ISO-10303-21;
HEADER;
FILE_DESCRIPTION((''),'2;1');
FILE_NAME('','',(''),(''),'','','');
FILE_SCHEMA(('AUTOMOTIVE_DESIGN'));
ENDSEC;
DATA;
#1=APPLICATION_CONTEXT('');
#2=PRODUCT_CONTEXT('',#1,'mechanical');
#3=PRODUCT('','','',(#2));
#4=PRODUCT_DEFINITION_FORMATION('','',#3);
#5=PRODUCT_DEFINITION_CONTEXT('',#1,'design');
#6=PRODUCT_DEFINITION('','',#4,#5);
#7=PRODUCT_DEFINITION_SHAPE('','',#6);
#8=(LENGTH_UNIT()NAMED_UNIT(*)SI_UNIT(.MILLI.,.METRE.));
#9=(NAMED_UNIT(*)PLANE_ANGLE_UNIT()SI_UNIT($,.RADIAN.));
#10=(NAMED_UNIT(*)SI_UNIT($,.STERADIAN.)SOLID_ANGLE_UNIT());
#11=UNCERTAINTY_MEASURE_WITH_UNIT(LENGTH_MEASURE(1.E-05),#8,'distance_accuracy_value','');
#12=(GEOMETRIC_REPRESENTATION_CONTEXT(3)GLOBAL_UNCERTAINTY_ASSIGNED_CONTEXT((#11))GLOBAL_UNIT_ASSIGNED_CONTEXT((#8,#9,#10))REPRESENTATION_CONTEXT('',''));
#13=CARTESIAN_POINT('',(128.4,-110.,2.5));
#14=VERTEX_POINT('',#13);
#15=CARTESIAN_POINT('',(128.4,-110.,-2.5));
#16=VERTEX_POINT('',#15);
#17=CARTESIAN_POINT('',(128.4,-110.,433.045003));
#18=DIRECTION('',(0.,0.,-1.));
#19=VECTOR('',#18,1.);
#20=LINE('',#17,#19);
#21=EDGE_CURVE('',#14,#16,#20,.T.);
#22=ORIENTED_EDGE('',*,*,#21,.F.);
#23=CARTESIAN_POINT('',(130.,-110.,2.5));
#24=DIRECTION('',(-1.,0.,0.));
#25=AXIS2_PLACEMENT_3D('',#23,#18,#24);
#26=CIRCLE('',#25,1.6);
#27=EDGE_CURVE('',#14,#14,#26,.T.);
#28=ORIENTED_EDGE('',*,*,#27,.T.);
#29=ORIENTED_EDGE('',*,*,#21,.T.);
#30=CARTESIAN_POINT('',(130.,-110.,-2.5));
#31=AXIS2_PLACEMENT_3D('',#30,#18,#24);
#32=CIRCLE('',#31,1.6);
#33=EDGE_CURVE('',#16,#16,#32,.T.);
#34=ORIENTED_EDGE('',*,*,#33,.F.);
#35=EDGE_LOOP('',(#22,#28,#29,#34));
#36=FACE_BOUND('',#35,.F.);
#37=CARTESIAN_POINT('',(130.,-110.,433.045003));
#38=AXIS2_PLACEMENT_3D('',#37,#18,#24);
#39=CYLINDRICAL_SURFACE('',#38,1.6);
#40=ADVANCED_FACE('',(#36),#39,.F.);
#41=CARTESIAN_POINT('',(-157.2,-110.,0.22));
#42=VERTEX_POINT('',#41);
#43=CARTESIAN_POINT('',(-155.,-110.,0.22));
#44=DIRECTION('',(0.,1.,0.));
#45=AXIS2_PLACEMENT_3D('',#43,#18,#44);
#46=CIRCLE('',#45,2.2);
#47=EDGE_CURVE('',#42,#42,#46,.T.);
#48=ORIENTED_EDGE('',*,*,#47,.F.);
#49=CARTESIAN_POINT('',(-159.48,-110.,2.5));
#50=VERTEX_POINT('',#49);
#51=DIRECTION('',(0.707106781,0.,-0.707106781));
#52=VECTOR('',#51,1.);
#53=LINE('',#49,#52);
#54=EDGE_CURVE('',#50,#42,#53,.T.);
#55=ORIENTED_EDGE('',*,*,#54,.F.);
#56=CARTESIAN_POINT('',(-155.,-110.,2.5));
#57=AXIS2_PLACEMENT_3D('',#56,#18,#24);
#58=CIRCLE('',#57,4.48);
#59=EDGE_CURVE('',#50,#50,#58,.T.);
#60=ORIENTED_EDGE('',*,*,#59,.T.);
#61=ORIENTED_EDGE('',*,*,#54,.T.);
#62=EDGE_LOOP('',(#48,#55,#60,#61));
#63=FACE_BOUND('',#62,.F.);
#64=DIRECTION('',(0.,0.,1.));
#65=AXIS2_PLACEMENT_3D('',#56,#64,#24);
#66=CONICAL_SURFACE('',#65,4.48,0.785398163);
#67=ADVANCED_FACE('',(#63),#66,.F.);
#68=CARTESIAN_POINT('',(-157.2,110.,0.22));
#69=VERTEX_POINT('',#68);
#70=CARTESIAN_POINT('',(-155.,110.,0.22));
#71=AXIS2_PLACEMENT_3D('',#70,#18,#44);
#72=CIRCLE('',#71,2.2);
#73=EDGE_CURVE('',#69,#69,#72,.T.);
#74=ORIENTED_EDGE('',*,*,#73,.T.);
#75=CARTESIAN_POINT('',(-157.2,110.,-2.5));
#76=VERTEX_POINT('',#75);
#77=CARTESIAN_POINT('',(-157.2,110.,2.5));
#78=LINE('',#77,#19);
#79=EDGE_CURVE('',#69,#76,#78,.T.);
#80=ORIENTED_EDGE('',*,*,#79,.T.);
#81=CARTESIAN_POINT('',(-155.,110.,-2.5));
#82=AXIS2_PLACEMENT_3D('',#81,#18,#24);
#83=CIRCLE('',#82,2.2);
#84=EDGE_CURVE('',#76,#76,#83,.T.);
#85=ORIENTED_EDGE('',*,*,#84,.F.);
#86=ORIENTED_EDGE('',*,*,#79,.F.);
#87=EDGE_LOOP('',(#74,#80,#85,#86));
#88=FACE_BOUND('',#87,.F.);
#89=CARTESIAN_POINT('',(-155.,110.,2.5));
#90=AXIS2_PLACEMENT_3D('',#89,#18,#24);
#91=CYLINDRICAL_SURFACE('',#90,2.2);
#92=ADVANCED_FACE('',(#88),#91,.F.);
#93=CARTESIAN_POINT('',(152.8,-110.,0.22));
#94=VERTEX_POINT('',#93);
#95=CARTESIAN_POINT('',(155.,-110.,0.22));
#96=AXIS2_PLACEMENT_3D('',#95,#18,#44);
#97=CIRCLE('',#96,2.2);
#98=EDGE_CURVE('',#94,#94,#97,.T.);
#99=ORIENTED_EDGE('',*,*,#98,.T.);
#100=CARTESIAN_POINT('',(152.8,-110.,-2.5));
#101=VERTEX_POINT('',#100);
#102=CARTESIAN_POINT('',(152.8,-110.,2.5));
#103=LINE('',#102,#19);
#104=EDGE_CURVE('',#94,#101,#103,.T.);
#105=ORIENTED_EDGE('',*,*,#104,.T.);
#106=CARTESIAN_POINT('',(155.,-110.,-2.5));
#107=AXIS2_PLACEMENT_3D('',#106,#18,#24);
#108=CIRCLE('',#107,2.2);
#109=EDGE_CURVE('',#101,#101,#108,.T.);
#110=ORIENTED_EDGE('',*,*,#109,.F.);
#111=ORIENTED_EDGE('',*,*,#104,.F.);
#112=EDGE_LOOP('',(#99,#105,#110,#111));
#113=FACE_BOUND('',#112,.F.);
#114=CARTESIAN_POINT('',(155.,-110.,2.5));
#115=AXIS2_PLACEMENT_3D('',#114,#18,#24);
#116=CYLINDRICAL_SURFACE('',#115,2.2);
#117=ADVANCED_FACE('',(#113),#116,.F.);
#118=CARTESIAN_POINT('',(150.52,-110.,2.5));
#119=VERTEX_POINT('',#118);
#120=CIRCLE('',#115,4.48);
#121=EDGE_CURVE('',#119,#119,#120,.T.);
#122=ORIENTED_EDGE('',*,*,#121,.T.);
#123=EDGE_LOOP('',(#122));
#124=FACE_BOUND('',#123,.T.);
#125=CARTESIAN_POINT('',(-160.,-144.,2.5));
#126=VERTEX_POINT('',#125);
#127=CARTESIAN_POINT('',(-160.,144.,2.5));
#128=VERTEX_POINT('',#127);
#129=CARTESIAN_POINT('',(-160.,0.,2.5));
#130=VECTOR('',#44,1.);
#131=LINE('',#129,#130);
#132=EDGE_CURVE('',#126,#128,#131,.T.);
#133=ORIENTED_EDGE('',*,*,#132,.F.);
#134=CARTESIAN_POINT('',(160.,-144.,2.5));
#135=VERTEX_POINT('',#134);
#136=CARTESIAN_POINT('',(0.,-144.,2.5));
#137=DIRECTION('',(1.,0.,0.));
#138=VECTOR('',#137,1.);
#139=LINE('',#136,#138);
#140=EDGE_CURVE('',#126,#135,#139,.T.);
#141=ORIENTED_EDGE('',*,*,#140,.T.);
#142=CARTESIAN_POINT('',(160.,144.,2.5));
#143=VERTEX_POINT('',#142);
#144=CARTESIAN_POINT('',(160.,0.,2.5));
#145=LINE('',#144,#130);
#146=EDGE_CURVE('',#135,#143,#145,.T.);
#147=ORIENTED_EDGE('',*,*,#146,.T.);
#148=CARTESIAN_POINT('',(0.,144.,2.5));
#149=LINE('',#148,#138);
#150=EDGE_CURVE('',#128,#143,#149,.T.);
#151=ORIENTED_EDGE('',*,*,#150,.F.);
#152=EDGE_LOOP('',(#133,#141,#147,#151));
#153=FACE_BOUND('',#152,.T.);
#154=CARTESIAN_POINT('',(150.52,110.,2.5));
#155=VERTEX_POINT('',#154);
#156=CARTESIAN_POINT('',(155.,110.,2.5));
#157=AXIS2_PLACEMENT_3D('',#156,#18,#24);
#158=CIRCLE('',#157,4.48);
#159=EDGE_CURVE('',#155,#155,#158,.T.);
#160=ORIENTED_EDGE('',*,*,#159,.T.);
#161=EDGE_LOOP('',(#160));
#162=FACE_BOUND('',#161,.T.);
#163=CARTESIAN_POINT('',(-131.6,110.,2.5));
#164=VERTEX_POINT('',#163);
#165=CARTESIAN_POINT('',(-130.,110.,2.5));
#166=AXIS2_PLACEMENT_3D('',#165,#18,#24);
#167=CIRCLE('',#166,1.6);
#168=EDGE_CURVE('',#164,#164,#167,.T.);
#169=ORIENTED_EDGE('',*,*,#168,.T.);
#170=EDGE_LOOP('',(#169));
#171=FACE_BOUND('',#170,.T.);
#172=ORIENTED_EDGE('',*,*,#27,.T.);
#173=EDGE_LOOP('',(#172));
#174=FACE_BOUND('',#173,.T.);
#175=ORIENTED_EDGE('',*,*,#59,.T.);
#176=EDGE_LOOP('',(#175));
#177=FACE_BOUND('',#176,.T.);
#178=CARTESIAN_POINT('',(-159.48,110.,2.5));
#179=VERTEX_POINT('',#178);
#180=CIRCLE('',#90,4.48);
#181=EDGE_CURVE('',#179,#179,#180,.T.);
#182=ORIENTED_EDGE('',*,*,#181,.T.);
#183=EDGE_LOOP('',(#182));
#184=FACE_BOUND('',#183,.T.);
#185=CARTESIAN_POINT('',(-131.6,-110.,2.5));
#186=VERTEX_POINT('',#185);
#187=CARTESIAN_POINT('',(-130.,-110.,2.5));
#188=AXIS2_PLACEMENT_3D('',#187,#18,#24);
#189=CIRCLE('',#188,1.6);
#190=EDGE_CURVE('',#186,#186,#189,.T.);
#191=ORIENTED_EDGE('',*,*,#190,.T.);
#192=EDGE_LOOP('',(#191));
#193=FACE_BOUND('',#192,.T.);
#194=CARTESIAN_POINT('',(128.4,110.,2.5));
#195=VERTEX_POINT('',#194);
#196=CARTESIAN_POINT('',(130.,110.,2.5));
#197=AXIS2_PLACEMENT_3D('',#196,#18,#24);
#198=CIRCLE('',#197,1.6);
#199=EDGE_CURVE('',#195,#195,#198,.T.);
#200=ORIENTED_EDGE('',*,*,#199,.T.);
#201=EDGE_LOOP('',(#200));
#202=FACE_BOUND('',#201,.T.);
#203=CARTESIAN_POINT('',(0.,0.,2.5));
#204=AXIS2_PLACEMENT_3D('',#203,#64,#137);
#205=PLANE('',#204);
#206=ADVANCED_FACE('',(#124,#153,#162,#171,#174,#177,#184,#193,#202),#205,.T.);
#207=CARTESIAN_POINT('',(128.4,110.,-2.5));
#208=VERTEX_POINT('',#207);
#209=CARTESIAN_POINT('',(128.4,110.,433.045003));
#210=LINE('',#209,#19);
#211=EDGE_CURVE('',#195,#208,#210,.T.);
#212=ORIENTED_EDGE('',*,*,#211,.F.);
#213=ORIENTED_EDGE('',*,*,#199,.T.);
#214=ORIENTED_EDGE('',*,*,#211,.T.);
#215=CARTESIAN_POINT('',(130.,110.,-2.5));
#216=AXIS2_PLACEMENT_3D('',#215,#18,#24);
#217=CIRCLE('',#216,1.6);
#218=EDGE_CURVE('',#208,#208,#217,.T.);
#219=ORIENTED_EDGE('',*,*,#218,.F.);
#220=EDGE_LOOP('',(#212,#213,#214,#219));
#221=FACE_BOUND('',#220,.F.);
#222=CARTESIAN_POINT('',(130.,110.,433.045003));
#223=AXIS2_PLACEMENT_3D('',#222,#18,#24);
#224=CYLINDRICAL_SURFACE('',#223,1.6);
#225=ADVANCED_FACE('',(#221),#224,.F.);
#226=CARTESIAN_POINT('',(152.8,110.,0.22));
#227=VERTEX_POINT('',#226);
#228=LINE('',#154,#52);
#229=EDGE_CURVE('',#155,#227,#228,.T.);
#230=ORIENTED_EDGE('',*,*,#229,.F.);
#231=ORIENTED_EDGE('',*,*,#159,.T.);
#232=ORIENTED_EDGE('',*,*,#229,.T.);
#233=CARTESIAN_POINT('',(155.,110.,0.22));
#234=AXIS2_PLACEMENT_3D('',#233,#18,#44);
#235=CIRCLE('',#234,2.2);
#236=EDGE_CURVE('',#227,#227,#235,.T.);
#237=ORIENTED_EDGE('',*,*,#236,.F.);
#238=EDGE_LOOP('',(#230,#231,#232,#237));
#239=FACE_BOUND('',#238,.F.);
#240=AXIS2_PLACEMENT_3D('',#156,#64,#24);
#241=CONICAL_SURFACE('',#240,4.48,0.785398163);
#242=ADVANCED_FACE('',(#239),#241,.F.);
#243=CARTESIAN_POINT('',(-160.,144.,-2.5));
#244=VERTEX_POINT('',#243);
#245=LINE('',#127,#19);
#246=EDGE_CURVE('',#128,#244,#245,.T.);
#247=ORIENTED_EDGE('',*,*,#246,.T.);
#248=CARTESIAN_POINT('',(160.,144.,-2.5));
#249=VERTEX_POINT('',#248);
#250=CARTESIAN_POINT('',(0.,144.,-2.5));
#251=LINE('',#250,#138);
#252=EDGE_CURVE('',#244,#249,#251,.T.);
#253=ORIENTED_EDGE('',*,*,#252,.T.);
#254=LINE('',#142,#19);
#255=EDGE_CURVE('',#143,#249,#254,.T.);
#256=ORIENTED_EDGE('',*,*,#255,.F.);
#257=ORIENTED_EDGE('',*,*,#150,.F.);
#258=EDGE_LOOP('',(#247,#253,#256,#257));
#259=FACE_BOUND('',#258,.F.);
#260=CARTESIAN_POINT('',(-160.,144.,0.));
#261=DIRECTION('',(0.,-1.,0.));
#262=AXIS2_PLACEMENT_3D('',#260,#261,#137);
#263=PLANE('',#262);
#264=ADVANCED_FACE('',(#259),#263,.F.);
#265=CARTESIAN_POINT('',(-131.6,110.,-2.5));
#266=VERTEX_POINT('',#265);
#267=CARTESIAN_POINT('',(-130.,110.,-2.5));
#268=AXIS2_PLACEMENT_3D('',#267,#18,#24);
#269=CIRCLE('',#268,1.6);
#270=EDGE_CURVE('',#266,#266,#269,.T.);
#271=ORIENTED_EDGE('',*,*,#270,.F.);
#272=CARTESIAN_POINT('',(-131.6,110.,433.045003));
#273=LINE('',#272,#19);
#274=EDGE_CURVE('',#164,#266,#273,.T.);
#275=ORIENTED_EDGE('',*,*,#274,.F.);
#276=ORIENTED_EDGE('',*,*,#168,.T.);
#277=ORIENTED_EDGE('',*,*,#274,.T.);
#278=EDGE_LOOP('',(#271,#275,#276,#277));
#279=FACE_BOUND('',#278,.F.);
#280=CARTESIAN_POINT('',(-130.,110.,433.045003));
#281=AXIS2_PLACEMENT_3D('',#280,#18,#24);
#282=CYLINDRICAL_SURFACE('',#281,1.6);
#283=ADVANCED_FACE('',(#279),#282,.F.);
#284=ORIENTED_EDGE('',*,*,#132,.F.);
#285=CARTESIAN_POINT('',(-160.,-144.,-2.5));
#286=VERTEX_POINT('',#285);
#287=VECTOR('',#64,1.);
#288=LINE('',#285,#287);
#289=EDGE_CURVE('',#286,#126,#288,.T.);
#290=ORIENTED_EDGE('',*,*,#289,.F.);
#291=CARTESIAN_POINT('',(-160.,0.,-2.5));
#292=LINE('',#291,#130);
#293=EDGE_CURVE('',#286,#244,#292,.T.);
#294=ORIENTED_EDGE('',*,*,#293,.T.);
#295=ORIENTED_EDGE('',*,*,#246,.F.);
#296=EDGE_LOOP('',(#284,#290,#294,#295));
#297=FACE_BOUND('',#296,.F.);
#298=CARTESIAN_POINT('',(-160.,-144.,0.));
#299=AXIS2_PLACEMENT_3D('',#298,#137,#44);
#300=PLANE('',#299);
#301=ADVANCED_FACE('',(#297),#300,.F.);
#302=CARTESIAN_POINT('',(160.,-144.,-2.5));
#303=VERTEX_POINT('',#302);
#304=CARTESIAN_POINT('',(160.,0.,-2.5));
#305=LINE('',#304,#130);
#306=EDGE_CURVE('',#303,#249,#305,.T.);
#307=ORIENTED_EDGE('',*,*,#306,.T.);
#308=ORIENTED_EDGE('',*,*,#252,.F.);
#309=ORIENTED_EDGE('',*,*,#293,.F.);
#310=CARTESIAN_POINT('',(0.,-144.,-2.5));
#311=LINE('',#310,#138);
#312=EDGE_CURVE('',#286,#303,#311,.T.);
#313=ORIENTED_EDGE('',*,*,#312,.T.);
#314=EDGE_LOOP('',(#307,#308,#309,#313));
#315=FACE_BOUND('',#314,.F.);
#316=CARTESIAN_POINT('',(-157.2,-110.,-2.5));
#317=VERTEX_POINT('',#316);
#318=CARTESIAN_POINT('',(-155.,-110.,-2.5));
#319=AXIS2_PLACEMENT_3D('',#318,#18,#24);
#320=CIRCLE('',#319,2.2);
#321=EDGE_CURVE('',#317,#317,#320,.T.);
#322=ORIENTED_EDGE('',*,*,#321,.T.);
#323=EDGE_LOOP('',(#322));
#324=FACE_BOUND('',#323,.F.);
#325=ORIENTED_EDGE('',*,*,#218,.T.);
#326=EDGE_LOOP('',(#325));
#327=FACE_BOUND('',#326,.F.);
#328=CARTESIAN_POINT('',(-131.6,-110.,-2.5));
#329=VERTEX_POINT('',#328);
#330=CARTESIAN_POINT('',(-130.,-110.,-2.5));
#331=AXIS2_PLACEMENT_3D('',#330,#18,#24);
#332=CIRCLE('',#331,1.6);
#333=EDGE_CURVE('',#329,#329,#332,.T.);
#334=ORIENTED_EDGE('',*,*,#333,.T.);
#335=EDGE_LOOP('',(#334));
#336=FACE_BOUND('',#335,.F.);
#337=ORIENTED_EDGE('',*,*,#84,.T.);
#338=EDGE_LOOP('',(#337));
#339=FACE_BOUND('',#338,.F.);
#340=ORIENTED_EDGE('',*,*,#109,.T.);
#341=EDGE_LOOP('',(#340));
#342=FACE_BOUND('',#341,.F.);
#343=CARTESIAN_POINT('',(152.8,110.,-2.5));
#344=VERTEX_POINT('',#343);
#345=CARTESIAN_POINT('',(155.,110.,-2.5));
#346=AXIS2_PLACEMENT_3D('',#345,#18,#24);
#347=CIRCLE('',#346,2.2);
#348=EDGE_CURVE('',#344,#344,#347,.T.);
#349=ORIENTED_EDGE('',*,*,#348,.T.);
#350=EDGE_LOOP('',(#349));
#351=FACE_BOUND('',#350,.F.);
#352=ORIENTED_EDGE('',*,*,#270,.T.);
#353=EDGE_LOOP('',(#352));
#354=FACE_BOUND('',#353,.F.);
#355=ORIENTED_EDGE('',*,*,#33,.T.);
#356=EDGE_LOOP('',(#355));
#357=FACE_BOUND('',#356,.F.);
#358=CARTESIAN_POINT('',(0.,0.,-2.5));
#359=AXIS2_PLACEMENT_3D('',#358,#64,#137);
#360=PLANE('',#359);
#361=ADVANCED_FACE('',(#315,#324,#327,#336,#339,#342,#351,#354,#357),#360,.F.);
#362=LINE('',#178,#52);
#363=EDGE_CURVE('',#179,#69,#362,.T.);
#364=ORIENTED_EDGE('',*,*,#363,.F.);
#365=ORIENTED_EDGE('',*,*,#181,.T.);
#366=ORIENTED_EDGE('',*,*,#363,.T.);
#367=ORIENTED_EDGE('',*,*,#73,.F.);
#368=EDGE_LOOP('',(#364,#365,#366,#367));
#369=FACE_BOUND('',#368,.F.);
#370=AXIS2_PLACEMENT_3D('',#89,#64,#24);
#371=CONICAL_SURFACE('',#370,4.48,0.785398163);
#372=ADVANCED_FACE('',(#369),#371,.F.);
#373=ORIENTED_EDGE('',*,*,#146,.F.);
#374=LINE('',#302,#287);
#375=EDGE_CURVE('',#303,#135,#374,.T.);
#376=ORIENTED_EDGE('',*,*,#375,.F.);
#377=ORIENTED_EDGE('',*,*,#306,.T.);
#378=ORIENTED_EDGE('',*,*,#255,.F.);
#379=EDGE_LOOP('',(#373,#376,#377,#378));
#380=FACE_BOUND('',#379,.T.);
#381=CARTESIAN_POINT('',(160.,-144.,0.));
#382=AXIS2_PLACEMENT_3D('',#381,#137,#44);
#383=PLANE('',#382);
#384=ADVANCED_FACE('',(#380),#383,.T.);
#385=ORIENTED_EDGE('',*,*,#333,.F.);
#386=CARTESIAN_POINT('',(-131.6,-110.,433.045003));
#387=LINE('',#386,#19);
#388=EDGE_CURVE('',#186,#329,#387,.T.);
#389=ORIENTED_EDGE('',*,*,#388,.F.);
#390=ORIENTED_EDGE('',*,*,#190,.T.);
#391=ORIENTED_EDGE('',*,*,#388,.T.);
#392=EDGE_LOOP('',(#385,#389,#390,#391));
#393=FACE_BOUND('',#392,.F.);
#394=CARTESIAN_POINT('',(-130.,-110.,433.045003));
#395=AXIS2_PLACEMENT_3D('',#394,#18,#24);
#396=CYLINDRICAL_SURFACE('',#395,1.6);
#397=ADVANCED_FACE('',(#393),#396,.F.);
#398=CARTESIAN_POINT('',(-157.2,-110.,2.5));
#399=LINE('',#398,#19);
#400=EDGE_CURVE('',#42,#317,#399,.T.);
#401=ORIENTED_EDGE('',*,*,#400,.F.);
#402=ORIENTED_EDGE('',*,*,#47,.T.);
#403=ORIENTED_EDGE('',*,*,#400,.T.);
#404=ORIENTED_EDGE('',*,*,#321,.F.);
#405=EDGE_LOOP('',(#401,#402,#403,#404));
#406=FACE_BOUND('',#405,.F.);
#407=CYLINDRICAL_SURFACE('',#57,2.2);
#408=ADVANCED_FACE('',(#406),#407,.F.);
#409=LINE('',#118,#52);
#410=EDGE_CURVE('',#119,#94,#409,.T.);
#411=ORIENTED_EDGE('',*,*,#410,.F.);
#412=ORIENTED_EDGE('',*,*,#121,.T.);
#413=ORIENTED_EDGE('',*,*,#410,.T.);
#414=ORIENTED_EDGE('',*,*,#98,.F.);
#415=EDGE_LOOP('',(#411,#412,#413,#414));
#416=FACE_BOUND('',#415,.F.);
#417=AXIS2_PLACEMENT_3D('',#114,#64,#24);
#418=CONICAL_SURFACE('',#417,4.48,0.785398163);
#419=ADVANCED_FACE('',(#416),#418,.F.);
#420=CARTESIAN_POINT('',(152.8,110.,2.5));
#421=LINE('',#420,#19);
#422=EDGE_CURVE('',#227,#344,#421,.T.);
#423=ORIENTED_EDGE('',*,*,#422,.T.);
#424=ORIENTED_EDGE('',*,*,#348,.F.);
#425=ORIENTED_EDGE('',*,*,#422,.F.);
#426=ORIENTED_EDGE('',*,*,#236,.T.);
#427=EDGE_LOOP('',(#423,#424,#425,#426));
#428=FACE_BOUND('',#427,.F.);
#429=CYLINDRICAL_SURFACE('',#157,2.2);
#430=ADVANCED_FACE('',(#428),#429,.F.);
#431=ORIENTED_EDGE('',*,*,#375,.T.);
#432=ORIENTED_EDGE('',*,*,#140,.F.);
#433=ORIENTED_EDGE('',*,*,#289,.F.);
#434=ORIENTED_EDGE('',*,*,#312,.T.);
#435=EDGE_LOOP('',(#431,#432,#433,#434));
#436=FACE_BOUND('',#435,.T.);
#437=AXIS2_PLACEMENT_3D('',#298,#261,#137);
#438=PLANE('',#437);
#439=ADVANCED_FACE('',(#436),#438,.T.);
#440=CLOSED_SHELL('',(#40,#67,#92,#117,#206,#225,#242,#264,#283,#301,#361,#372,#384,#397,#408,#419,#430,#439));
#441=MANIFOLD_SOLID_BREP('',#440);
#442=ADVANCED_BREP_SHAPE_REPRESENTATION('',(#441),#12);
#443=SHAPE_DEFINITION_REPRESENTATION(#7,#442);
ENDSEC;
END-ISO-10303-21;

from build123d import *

# Parameters (mm, degrees)
F0_W           = 320
F0_H           = 288
F1_DEPTH       = 2.5
F3_D           = 4.4
F3_DEPTH       = 17.25
F3_CSINK_D     = 8.96
F3_CSINK_ANGLE = 90
F3_TIP         = 1.3218933619
F5_D           = 3.2


with BuildPart() as f1:
    # F0 (on Top) → F1 (new body, symmetric)
    with BuildSketch(Plane.XY):
        Rectangle(F0_W, F0_H)
    extrude(amount=F1_DEPTH, both=True)

    # F3
    with Locations(Plane.XY.offset(2.5)):
        with Locations((-155, -110), (155, -110), (155, 110), (-155, 110)):
            CounterSinkHole(F3_D / 2, F3_CSINK_D / 2, depth=F3_DEPTH, counter_sink_angle=F3_CSINK_ANGLE)
            with Locations((0, 0, -(F3_DEPTH + F3_TIP / 2))):  # 118° drill point
                Cone(0, F3_D / 2, F3_TIP, mode=Mode.SUBTRACT)

    # F5 (through all)
    with Locations(Plane.XY.offset(2.5)):
        with Locations((-130, -110), (-130, 110), (130, 110), (130, -110)):
            Hole(F5_D / 2)


solid = f1.part
